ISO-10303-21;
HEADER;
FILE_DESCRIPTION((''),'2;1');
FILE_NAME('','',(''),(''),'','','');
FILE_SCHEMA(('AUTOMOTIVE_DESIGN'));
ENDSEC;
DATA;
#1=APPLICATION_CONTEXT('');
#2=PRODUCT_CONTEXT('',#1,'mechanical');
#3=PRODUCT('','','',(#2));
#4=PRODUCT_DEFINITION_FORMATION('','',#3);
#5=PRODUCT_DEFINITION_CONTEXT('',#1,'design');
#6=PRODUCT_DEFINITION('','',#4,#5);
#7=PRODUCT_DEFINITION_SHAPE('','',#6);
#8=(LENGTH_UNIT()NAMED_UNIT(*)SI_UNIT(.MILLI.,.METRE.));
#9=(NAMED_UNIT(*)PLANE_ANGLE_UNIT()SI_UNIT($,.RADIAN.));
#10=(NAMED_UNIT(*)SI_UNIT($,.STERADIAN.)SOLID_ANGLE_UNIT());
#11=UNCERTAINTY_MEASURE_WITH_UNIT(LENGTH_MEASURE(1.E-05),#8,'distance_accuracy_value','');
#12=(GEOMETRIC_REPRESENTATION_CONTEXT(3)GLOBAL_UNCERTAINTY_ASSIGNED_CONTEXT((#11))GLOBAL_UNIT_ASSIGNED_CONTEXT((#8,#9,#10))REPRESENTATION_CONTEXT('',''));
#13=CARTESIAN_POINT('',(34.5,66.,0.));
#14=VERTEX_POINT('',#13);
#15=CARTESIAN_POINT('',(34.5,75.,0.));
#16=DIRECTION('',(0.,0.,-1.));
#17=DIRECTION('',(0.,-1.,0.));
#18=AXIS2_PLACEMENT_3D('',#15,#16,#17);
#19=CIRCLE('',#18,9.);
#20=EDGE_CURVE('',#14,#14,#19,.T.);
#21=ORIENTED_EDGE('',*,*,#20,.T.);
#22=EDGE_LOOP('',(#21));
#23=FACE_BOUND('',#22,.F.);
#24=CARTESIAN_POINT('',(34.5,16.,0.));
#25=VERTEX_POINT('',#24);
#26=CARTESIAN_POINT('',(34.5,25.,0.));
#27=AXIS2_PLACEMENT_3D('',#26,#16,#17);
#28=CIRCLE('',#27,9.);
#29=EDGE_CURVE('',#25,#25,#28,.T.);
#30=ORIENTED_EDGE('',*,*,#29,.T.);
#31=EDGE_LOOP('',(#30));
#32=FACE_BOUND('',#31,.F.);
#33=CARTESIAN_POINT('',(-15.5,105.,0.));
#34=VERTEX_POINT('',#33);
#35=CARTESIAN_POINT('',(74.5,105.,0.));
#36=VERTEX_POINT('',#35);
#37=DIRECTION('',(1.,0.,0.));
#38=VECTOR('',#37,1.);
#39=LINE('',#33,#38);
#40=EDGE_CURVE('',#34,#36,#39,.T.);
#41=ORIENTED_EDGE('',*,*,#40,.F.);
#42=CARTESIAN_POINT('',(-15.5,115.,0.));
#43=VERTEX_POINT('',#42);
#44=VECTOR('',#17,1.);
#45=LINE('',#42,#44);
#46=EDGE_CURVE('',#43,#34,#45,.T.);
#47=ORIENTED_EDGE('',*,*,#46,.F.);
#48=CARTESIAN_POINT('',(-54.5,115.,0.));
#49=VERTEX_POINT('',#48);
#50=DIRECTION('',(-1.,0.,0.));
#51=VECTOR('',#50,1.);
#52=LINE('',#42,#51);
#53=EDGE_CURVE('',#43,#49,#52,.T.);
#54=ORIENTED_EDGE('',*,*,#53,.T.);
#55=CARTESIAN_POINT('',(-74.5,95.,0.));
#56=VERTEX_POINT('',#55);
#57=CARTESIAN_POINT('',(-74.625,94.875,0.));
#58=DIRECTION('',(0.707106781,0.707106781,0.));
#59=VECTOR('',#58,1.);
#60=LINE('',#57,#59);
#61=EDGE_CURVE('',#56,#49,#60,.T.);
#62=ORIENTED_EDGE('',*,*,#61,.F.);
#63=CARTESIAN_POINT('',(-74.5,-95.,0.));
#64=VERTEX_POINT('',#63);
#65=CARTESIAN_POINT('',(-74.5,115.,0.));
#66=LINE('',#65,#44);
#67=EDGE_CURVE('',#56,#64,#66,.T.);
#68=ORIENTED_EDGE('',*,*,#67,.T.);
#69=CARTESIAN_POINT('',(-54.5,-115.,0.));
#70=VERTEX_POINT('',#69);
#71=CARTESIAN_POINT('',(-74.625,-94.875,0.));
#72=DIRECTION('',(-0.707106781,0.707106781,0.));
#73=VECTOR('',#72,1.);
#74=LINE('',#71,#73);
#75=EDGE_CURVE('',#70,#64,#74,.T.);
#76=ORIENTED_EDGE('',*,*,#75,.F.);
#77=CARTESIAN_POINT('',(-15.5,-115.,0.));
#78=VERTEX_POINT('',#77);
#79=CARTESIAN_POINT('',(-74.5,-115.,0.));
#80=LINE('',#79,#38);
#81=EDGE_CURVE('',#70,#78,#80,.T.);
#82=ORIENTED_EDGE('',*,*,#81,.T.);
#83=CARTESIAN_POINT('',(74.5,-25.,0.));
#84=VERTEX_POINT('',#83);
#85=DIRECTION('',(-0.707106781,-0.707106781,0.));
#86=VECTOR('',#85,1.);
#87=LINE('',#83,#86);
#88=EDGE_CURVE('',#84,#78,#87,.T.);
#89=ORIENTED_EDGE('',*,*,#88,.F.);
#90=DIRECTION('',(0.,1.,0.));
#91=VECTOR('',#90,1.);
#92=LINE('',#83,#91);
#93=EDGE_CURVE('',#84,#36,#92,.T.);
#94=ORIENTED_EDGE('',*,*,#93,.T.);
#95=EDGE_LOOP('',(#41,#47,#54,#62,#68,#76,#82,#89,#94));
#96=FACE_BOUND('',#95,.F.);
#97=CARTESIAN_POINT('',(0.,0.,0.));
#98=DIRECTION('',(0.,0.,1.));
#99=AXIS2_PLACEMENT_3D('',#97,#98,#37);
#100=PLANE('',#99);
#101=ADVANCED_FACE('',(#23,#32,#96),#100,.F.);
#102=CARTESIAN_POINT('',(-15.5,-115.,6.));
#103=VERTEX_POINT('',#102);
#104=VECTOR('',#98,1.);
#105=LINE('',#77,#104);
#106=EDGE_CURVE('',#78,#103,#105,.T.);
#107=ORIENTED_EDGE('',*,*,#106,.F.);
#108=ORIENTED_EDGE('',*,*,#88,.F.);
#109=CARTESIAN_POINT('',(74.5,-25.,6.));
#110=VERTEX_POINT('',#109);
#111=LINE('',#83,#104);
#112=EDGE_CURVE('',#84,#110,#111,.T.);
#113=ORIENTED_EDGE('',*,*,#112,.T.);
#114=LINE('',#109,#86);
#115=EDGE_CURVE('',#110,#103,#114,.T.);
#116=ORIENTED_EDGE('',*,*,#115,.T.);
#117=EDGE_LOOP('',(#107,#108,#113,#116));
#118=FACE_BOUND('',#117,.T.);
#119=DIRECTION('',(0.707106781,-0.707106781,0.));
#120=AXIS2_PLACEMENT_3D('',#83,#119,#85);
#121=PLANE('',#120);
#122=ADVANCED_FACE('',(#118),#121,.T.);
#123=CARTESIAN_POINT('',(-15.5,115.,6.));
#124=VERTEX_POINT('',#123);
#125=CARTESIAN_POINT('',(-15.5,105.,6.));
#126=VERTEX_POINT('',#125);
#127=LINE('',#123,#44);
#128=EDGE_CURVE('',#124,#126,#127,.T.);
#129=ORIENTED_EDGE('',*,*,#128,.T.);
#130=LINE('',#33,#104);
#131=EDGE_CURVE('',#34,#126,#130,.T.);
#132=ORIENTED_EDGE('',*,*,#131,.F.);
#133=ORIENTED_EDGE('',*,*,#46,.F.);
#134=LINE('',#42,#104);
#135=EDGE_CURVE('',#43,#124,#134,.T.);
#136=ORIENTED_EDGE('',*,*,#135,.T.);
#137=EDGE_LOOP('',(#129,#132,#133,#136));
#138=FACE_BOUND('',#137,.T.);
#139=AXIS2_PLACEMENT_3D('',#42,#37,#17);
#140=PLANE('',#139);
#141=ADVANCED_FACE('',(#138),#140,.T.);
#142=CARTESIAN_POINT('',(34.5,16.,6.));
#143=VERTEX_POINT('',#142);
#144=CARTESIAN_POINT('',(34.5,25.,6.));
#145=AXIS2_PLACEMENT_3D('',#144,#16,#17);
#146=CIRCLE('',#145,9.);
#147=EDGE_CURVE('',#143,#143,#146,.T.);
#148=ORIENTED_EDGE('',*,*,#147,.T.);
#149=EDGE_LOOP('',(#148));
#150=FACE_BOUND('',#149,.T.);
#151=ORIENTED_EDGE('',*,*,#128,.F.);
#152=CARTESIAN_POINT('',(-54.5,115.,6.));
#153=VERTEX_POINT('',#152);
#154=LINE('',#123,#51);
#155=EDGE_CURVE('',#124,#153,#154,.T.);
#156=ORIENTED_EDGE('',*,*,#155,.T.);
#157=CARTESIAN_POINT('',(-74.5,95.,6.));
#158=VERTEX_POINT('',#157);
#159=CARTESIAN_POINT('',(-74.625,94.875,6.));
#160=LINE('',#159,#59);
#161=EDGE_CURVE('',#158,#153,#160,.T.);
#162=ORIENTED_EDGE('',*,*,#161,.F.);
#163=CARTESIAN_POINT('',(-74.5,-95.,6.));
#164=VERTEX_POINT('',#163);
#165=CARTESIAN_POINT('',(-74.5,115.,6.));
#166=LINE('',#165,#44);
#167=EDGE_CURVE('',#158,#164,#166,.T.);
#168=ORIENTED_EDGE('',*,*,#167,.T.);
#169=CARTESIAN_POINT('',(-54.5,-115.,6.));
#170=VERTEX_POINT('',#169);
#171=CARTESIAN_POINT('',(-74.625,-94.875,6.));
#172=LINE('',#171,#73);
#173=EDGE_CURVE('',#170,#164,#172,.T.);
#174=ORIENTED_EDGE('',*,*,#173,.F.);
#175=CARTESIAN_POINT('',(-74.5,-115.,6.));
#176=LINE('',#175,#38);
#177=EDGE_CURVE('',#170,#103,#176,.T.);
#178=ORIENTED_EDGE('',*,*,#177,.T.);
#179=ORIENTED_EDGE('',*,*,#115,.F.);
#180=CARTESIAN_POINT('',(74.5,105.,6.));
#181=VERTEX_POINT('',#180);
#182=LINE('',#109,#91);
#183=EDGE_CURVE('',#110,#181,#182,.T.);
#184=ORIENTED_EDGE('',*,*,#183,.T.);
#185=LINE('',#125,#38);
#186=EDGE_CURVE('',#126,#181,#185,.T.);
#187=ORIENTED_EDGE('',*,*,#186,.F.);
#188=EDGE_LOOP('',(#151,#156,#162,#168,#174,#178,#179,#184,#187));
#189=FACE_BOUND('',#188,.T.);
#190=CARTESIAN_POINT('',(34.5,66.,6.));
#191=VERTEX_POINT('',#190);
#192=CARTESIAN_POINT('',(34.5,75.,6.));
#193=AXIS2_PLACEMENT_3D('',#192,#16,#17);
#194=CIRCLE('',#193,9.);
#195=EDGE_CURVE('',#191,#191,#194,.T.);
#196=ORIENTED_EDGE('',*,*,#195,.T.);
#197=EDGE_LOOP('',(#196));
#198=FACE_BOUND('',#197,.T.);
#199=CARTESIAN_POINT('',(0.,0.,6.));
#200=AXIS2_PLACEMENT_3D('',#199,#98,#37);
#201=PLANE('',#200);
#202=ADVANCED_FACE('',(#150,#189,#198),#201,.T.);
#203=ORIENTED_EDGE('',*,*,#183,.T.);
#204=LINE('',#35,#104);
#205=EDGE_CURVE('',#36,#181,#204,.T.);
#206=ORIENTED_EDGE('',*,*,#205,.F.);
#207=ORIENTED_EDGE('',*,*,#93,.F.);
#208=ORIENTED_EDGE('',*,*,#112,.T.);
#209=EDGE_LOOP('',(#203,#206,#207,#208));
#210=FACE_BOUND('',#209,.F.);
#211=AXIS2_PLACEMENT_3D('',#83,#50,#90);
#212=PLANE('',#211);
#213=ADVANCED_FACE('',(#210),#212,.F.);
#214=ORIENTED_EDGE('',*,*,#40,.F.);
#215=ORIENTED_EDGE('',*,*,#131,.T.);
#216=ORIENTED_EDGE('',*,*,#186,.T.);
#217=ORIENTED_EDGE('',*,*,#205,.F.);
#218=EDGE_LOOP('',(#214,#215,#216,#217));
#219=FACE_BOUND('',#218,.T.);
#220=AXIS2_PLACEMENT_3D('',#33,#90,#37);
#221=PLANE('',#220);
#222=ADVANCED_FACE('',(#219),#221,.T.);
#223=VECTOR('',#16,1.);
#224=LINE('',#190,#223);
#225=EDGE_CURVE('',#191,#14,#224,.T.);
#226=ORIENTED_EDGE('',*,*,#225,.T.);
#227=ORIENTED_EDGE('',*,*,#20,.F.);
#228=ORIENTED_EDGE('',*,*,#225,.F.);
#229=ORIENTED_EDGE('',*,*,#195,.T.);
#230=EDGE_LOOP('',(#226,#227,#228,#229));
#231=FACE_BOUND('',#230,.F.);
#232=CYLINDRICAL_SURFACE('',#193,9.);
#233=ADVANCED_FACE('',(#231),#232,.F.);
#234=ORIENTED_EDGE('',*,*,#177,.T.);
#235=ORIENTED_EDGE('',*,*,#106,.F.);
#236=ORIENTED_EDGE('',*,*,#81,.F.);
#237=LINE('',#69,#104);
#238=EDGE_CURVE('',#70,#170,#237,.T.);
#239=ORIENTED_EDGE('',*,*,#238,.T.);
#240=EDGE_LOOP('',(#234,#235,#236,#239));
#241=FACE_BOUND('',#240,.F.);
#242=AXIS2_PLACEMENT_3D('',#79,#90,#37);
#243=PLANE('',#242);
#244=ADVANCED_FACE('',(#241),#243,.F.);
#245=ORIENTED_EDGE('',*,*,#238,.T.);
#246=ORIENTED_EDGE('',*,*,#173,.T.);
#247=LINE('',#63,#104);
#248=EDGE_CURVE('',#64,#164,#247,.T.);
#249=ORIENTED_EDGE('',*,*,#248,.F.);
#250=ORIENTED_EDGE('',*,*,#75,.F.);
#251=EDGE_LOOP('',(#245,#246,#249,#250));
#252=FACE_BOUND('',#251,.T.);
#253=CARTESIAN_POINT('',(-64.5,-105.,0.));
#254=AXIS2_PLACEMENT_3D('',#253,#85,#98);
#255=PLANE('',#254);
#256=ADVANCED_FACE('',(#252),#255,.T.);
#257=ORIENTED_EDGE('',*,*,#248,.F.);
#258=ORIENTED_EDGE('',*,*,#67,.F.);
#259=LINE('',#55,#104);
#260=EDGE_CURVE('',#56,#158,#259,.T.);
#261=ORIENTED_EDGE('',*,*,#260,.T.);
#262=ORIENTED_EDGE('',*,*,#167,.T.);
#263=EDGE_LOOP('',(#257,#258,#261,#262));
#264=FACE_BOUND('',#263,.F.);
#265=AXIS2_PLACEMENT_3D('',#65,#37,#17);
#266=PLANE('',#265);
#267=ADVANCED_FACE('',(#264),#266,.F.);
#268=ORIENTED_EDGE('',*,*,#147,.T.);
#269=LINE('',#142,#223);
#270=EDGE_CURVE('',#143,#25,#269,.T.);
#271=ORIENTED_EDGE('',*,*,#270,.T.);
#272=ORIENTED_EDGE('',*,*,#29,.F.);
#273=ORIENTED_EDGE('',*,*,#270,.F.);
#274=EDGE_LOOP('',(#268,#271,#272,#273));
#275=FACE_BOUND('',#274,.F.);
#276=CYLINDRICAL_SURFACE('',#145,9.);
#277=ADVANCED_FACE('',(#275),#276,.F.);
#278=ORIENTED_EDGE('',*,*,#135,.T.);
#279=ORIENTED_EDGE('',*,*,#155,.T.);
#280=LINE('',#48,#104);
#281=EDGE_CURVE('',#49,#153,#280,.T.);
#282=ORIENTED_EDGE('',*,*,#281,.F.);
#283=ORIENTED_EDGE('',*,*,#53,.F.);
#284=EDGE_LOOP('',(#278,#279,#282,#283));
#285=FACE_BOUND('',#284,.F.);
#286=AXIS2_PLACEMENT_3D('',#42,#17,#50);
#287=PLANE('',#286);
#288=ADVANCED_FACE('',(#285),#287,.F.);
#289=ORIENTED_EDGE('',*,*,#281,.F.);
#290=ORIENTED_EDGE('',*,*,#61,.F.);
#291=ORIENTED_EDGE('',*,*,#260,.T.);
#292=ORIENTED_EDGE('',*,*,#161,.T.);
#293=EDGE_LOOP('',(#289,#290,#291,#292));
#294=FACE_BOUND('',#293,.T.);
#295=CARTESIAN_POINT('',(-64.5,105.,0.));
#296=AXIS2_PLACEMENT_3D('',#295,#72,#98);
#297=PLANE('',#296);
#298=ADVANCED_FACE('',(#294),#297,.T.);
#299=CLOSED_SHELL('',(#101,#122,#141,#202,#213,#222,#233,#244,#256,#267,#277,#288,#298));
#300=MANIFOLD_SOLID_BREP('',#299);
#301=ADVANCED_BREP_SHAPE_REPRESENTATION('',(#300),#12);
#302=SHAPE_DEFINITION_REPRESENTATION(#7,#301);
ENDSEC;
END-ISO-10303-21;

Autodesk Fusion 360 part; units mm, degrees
sketch "スケッチ1" plane through (0, 0, 0) normal (0, 0, 1) x (1, 0, 0)
  line L0 (-15.5, 115) -> (-74.5, 115)
  line L1 (-74.5, 115) -> (-74.5, -115)
  line L2 (-74.5, -115) -> (-15.5, -115)
  line L3 (74.5, -25) -> (74.5, 105)
  line L4 (68.0217, 105) -> (-74.5, -115) construction
  line L5 (-74.5, 115) -> (39.1174, -60.3826) construction
  line L6 (-15.5, 115) -> (-15.5, 105)
  line L7 (-15.5, 105) -> (74.5, 105)
  line L8 (-74.5, -115) -> (-15.5, -115) construction
  line L9 (74.5, -25) -> (-15.5, -115)
  dimension "d2" = 230
  dimension "d5" = 59
extrude "押し出し1" add sketch "スケッチ1" along normal blind 6
chamfer "面取り1" distance 20 angle 45 2 edges at (-74.5, -115, 3) (-74.5, 115, 3)
sketch "スケッチ2" plane through (0, 0, 6) normal (0, 0, 1) x (-1, 0, 0)
  line L0 (54.5, -115) -> (74.5, -95)
  line L1 (74.5, -95) -> (74.5, 95)
  line L2 (74.5, 95) -> (54.5, 115)
  line L3 (54.5, 115) -> (15.5, 115)
  line L4 (15.5, 115) -> (-74.5, 25)
  line L5 (-74.5, 25) -> (-74.5, -105)
  line L6 (-74.5, -105) -> (15.5, -105)
  line L7 (15.5, -105) -> (15.5, -115)
  line L8 (15.5, -115) -> (54.5, -115)
  line L9 (-74.5, -105) -> (-34.5, -105) construction
  line L10 (-34.5, -105) -> (-34.5, -75) construction
  line L11 (-34.5, -75) -> (-74.5, -75) construction
  line L12 (-74.5, -75) -> (-74.5, -105) construction
  line L13 (-34.5, -75) -> (-34.5, -25) construction
  point P0 (-34.5, -75)
  point P1 (-34.5, -25)
  dimension "d10" = 40
  dimension "d11" = 30
  dimension "d12" = 50
hole "穴1" at (34.5, 75, 6) at (34.5, 25, 6) direction (0, 0, -1) diameter 18 end through all
equation "d5 = 20 mm + 39 mm"
